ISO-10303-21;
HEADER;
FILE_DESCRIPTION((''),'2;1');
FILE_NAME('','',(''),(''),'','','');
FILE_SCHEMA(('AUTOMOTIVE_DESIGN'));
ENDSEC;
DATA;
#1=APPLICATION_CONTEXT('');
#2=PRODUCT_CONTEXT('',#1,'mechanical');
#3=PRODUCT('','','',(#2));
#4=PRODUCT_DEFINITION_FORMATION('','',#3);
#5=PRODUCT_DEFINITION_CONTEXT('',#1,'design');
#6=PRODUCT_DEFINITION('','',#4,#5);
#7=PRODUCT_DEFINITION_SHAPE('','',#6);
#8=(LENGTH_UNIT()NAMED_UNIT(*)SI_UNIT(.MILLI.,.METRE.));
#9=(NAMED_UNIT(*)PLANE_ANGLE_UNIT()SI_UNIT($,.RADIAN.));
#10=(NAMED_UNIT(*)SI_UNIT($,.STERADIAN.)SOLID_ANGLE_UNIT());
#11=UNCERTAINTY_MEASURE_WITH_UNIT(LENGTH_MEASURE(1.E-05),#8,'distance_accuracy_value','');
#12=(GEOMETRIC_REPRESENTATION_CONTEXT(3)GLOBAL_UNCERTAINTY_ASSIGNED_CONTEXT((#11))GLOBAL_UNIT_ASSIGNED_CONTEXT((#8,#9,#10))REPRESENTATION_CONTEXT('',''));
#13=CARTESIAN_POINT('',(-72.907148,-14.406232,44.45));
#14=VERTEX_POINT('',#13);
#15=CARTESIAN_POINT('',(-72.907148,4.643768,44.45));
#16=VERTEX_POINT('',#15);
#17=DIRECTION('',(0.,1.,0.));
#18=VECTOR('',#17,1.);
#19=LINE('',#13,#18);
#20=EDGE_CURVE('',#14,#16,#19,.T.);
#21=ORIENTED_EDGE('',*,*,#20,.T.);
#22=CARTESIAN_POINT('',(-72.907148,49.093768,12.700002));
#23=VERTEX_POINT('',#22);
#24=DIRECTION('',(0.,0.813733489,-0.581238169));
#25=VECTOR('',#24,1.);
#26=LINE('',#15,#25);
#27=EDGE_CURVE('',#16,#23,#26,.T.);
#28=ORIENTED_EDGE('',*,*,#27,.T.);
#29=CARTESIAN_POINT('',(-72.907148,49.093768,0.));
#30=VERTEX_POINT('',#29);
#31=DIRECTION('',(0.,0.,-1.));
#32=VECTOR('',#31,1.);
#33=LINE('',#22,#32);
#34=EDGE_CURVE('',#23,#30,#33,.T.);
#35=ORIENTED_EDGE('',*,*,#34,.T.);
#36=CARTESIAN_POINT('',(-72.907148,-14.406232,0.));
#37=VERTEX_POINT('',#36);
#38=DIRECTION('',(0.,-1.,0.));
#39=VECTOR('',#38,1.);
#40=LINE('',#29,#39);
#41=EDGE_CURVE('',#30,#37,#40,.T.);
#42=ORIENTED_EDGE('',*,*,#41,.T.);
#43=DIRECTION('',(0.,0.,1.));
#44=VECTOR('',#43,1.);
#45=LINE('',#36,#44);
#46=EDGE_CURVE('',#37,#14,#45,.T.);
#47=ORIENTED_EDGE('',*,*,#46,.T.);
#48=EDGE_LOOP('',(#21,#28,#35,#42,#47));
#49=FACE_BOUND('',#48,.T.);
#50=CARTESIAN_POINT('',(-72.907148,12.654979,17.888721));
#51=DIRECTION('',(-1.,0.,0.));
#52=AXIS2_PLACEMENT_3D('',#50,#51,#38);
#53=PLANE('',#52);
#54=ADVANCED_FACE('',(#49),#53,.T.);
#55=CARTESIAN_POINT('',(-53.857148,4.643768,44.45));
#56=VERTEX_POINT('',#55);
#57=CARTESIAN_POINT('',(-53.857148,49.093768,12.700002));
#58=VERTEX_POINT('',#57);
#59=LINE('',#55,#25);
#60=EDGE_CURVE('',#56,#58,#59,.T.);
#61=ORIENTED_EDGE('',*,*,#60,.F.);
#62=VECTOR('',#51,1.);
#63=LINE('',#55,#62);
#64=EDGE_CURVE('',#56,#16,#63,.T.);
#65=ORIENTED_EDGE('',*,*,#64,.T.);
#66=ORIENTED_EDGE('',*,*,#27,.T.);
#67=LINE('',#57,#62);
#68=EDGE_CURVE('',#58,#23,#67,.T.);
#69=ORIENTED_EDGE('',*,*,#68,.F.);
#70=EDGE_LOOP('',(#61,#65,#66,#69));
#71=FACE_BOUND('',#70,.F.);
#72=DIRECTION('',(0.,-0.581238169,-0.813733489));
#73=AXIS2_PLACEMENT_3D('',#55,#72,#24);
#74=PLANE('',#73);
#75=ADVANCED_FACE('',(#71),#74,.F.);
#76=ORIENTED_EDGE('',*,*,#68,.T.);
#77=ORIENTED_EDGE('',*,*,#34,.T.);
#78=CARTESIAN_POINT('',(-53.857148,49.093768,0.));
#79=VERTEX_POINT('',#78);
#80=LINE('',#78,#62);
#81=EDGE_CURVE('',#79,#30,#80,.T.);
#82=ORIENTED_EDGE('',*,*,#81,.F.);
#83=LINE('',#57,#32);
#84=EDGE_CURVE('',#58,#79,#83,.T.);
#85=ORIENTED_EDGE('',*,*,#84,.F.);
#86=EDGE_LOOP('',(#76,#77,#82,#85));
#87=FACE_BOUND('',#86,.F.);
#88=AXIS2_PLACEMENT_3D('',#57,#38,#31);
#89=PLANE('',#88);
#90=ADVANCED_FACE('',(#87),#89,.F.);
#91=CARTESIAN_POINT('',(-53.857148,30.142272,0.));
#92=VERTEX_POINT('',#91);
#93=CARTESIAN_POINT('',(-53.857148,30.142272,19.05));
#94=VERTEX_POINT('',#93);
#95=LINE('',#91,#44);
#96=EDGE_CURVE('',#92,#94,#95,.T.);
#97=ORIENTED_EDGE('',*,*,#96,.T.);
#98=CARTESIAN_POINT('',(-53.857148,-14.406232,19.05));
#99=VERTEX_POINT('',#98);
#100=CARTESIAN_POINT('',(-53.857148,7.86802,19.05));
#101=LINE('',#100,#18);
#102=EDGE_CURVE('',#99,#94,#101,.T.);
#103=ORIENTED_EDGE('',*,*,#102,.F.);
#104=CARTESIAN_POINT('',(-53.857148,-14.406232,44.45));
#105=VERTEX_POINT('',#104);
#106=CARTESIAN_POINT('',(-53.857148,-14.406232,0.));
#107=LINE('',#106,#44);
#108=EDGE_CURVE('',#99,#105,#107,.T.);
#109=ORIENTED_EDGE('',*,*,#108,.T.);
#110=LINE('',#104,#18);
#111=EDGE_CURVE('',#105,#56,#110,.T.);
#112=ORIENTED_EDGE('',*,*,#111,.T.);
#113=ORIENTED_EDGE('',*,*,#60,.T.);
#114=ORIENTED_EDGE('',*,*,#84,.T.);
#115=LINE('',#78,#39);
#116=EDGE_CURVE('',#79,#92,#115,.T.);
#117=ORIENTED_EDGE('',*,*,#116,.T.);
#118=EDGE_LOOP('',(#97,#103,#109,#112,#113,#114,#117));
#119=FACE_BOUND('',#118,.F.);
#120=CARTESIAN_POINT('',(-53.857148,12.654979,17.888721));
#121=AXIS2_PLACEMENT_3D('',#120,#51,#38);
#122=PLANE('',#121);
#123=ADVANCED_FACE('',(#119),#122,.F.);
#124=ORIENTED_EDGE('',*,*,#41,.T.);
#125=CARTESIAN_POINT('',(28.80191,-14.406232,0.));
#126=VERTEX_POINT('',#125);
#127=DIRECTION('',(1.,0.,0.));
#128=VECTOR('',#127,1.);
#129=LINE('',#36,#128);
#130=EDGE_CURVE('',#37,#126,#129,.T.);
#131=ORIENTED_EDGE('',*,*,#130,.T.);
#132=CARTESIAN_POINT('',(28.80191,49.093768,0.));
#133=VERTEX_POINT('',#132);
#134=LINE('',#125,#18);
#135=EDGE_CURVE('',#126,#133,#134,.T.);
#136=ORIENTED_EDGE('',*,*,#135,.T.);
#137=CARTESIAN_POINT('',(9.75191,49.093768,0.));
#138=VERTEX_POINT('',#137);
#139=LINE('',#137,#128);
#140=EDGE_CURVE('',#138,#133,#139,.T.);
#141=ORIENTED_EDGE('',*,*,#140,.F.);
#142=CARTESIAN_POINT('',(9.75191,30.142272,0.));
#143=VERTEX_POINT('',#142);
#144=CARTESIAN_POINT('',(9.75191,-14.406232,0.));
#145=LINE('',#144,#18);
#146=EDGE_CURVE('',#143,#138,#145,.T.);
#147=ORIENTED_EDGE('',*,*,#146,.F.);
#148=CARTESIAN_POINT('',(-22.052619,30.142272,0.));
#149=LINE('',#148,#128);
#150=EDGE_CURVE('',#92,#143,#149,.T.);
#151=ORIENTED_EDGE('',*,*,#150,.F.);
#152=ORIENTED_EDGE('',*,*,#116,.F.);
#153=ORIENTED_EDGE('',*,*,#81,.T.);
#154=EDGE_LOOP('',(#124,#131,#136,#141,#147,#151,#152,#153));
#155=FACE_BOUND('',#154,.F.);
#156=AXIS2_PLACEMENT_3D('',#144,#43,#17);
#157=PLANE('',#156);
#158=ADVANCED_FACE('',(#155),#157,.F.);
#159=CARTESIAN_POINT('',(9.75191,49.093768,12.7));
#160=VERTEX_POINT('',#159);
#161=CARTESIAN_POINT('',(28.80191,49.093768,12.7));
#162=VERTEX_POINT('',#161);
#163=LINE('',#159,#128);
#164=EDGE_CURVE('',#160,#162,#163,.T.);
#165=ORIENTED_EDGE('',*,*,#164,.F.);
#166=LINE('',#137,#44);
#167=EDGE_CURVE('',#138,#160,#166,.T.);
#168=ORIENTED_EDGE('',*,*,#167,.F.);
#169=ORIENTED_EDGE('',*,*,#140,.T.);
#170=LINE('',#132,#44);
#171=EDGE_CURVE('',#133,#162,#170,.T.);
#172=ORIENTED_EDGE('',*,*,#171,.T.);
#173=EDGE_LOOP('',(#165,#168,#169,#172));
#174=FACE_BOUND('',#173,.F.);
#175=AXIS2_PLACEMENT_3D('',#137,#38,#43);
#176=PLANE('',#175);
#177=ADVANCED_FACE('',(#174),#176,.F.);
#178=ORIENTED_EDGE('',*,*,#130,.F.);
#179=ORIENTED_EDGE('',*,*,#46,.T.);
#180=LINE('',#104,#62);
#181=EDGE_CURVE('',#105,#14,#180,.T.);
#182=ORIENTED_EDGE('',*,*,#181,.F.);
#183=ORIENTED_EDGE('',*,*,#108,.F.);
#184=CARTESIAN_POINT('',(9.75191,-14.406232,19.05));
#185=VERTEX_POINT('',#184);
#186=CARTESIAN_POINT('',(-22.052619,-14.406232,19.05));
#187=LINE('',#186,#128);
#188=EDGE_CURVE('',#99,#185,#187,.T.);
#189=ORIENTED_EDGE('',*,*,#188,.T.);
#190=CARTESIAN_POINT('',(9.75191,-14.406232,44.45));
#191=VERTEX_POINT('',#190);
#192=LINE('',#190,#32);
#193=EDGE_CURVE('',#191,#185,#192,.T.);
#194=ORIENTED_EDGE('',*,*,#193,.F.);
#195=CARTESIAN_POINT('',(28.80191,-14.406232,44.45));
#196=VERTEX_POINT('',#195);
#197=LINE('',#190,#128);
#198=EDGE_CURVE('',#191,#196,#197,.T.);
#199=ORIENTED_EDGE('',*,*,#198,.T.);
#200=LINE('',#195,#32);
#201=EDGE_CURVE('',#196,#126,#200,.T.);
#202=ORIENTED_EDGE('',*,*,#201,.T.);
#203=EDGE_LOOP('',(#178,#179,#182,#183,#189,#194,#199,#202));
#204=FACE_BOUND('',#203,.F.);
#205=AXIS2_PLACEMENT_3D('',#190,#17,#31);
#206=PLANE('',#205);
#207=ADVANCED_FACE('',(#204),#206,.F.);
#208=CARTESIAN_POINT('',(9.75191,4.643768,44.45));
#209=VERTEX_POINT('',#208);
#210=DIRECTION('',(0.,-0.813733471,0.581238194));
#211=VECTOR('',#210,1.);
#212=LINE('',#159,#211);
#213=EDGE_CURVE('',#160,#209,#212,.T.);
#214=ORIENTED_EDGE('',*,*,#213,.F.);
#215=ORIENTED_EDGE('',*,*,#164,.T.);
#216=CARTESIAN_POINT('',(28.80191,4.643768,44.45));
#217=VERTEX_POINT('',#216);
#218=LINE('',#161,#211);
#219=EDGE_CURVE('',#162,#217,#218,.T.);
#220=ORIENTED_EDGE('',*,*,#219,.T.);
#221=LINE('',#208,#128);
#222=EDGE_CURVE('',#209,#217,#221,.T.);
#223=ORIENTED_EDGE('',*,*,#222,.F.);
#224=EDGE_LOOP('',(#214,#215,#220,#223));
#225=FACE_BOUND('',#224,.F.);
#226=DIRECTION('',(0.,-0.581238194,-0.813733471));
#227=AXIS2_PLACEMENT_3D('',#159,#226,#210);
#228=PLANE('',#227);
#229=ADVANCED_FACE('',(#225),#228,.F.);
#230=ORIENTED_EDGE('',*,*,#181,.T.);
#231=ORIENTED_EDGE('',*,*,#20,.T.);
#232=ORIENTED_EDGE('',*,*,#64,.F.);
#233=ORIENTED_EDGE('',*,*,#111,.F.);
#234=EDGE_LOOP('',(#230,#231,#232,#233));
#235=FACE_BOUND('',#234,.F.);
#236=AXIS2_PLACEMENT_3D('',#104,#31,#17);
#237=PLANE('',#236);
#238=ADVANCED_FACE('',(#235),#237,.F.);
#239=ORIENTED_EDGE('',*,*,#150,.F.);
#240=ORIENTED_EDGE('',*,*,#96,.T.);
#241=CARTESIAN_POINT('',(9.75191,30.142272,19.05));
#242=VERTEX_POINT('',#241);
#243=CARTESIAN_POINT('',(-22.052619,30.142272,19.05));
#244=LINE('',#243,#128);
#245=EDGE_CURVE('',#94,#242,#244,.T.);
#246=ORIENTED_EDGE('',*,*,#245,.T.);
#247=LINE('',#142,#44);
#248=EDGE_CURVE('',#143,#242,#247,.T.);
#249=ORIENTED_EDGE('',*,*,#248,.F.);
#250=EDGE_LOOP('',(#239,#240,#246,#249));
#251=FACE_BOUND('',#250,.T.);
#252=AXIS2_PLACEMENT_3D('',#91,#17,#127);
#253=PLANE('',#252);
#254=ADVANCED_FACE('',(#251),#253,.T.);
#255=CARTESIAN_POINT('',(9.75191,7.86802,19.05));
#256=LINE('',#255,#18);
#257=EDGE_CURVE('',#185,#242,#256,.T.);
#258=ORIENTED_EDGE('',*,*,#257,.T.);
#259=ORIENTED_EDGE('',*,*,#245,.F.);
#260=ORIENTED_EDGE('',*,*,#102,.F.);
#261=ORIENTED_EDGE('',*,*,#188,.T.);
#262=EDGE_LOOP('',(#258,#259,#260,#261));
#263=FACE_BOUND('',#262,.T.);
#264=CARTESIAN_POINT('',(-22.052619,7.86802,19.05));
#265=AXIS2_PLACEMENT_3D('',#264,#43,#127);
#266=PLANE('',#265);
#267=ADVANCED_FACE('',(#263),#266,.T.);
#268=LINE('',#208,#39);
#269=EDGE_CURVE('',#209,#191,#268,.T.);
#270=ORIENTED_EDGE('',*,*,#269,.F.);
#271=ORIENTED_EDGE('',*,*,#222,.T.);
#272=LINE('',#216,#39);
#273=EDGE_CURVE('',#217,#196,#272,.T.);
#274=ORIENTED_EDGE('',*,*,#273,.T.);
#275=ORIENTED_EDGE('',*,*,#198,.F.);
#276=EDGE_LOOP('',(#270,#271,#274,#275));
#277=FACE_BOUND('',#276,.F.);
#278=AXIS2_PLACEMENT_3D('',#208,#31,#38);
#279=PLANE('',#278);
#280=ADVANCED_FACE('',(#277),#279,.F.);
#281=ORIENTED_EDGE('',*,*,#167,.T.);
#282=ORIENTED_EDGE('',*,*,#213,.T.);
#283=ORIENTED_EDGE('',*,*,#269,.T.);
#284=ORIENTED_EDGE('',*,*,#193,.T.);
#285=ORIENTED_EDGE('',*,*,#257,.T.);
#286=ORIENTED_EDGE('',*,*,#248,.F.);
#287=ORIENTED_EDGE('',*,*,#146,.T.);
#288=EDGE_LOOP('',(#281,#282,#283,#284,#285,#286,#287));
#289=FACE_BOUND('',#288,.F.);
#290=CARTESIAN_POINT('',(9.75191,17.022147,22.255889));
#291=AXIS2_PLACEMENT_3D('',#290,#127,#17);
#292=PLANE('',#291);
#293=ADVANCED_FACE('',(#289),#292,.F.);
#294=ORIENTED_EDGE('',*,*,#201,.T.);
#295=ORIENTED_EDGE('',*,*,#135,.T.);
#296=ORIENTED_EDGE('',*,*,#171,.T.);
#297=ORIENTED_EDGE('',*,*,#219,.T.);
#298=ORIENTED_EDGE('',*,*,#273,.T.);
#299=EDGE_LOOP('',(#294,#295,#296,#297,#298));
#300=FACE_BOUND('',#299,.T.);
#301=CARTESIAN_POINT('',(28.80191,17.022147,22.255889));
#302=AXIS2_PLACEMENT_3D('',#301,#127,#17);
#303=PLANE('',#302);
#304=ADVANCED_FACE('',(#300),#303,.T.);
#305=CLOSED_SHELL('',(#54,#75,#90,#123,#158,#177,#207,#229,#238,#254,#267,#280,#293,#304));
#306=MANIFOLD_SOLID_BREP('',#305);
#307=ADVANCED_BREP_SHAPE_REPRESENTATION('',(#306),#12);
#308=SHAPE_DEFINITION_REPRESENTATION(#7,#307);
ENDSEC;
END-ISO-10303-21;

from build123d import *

# Parameters (mm, degrees)
F0_W     = 63.609058
F0_H     = 44.548504
F1_DEPTH = 19.05
F3_DEPTH = 19.05
F4_W     = 44.548504
F4_H     = 19.05
F5_DEPTH = 19.05


with BuildPart() as f1:
    # F0 (on Top) → F1 (new body)
    with BuildSketch(Plane.XY):
        with Locations((-22.052619, 7.86802)):
            Rectangle(F0_W, F0_H)
    extrude(amount=F1_DEPTH)

    # F2 (on face) → F3 (join)
    with BuildSketch(Plane(origin=(-53.857148, 0, 0), x_dir=(0, -1, 0), z_dir=(-1, 0, 0))):
        Polygon((-49.093768, 0), (14.406232, 0), (14.406232, 44.45), (-4.643768, 44.45), (-49.093768, 12.700002), align=None)
    extrude(amount=F3_DEPTH)

    # F4 (on face) → F5 (join)
    with BuildSketch(Plane.YZ.offset(9.75191)):
        Polygon((-14.406232, 44.45), (-14.406232, 19.05), (30.142272, 19.05), (30.142272, 0), (49.093768, 0), (49.093768, 12.7), (4.643768, 44.45), align=None)
        with Locations((7.86802, 9.525)):
            Rectangle(F4_W, F4_H)
    extrude(amount=F5_DEPTH)


solid = f1.part
